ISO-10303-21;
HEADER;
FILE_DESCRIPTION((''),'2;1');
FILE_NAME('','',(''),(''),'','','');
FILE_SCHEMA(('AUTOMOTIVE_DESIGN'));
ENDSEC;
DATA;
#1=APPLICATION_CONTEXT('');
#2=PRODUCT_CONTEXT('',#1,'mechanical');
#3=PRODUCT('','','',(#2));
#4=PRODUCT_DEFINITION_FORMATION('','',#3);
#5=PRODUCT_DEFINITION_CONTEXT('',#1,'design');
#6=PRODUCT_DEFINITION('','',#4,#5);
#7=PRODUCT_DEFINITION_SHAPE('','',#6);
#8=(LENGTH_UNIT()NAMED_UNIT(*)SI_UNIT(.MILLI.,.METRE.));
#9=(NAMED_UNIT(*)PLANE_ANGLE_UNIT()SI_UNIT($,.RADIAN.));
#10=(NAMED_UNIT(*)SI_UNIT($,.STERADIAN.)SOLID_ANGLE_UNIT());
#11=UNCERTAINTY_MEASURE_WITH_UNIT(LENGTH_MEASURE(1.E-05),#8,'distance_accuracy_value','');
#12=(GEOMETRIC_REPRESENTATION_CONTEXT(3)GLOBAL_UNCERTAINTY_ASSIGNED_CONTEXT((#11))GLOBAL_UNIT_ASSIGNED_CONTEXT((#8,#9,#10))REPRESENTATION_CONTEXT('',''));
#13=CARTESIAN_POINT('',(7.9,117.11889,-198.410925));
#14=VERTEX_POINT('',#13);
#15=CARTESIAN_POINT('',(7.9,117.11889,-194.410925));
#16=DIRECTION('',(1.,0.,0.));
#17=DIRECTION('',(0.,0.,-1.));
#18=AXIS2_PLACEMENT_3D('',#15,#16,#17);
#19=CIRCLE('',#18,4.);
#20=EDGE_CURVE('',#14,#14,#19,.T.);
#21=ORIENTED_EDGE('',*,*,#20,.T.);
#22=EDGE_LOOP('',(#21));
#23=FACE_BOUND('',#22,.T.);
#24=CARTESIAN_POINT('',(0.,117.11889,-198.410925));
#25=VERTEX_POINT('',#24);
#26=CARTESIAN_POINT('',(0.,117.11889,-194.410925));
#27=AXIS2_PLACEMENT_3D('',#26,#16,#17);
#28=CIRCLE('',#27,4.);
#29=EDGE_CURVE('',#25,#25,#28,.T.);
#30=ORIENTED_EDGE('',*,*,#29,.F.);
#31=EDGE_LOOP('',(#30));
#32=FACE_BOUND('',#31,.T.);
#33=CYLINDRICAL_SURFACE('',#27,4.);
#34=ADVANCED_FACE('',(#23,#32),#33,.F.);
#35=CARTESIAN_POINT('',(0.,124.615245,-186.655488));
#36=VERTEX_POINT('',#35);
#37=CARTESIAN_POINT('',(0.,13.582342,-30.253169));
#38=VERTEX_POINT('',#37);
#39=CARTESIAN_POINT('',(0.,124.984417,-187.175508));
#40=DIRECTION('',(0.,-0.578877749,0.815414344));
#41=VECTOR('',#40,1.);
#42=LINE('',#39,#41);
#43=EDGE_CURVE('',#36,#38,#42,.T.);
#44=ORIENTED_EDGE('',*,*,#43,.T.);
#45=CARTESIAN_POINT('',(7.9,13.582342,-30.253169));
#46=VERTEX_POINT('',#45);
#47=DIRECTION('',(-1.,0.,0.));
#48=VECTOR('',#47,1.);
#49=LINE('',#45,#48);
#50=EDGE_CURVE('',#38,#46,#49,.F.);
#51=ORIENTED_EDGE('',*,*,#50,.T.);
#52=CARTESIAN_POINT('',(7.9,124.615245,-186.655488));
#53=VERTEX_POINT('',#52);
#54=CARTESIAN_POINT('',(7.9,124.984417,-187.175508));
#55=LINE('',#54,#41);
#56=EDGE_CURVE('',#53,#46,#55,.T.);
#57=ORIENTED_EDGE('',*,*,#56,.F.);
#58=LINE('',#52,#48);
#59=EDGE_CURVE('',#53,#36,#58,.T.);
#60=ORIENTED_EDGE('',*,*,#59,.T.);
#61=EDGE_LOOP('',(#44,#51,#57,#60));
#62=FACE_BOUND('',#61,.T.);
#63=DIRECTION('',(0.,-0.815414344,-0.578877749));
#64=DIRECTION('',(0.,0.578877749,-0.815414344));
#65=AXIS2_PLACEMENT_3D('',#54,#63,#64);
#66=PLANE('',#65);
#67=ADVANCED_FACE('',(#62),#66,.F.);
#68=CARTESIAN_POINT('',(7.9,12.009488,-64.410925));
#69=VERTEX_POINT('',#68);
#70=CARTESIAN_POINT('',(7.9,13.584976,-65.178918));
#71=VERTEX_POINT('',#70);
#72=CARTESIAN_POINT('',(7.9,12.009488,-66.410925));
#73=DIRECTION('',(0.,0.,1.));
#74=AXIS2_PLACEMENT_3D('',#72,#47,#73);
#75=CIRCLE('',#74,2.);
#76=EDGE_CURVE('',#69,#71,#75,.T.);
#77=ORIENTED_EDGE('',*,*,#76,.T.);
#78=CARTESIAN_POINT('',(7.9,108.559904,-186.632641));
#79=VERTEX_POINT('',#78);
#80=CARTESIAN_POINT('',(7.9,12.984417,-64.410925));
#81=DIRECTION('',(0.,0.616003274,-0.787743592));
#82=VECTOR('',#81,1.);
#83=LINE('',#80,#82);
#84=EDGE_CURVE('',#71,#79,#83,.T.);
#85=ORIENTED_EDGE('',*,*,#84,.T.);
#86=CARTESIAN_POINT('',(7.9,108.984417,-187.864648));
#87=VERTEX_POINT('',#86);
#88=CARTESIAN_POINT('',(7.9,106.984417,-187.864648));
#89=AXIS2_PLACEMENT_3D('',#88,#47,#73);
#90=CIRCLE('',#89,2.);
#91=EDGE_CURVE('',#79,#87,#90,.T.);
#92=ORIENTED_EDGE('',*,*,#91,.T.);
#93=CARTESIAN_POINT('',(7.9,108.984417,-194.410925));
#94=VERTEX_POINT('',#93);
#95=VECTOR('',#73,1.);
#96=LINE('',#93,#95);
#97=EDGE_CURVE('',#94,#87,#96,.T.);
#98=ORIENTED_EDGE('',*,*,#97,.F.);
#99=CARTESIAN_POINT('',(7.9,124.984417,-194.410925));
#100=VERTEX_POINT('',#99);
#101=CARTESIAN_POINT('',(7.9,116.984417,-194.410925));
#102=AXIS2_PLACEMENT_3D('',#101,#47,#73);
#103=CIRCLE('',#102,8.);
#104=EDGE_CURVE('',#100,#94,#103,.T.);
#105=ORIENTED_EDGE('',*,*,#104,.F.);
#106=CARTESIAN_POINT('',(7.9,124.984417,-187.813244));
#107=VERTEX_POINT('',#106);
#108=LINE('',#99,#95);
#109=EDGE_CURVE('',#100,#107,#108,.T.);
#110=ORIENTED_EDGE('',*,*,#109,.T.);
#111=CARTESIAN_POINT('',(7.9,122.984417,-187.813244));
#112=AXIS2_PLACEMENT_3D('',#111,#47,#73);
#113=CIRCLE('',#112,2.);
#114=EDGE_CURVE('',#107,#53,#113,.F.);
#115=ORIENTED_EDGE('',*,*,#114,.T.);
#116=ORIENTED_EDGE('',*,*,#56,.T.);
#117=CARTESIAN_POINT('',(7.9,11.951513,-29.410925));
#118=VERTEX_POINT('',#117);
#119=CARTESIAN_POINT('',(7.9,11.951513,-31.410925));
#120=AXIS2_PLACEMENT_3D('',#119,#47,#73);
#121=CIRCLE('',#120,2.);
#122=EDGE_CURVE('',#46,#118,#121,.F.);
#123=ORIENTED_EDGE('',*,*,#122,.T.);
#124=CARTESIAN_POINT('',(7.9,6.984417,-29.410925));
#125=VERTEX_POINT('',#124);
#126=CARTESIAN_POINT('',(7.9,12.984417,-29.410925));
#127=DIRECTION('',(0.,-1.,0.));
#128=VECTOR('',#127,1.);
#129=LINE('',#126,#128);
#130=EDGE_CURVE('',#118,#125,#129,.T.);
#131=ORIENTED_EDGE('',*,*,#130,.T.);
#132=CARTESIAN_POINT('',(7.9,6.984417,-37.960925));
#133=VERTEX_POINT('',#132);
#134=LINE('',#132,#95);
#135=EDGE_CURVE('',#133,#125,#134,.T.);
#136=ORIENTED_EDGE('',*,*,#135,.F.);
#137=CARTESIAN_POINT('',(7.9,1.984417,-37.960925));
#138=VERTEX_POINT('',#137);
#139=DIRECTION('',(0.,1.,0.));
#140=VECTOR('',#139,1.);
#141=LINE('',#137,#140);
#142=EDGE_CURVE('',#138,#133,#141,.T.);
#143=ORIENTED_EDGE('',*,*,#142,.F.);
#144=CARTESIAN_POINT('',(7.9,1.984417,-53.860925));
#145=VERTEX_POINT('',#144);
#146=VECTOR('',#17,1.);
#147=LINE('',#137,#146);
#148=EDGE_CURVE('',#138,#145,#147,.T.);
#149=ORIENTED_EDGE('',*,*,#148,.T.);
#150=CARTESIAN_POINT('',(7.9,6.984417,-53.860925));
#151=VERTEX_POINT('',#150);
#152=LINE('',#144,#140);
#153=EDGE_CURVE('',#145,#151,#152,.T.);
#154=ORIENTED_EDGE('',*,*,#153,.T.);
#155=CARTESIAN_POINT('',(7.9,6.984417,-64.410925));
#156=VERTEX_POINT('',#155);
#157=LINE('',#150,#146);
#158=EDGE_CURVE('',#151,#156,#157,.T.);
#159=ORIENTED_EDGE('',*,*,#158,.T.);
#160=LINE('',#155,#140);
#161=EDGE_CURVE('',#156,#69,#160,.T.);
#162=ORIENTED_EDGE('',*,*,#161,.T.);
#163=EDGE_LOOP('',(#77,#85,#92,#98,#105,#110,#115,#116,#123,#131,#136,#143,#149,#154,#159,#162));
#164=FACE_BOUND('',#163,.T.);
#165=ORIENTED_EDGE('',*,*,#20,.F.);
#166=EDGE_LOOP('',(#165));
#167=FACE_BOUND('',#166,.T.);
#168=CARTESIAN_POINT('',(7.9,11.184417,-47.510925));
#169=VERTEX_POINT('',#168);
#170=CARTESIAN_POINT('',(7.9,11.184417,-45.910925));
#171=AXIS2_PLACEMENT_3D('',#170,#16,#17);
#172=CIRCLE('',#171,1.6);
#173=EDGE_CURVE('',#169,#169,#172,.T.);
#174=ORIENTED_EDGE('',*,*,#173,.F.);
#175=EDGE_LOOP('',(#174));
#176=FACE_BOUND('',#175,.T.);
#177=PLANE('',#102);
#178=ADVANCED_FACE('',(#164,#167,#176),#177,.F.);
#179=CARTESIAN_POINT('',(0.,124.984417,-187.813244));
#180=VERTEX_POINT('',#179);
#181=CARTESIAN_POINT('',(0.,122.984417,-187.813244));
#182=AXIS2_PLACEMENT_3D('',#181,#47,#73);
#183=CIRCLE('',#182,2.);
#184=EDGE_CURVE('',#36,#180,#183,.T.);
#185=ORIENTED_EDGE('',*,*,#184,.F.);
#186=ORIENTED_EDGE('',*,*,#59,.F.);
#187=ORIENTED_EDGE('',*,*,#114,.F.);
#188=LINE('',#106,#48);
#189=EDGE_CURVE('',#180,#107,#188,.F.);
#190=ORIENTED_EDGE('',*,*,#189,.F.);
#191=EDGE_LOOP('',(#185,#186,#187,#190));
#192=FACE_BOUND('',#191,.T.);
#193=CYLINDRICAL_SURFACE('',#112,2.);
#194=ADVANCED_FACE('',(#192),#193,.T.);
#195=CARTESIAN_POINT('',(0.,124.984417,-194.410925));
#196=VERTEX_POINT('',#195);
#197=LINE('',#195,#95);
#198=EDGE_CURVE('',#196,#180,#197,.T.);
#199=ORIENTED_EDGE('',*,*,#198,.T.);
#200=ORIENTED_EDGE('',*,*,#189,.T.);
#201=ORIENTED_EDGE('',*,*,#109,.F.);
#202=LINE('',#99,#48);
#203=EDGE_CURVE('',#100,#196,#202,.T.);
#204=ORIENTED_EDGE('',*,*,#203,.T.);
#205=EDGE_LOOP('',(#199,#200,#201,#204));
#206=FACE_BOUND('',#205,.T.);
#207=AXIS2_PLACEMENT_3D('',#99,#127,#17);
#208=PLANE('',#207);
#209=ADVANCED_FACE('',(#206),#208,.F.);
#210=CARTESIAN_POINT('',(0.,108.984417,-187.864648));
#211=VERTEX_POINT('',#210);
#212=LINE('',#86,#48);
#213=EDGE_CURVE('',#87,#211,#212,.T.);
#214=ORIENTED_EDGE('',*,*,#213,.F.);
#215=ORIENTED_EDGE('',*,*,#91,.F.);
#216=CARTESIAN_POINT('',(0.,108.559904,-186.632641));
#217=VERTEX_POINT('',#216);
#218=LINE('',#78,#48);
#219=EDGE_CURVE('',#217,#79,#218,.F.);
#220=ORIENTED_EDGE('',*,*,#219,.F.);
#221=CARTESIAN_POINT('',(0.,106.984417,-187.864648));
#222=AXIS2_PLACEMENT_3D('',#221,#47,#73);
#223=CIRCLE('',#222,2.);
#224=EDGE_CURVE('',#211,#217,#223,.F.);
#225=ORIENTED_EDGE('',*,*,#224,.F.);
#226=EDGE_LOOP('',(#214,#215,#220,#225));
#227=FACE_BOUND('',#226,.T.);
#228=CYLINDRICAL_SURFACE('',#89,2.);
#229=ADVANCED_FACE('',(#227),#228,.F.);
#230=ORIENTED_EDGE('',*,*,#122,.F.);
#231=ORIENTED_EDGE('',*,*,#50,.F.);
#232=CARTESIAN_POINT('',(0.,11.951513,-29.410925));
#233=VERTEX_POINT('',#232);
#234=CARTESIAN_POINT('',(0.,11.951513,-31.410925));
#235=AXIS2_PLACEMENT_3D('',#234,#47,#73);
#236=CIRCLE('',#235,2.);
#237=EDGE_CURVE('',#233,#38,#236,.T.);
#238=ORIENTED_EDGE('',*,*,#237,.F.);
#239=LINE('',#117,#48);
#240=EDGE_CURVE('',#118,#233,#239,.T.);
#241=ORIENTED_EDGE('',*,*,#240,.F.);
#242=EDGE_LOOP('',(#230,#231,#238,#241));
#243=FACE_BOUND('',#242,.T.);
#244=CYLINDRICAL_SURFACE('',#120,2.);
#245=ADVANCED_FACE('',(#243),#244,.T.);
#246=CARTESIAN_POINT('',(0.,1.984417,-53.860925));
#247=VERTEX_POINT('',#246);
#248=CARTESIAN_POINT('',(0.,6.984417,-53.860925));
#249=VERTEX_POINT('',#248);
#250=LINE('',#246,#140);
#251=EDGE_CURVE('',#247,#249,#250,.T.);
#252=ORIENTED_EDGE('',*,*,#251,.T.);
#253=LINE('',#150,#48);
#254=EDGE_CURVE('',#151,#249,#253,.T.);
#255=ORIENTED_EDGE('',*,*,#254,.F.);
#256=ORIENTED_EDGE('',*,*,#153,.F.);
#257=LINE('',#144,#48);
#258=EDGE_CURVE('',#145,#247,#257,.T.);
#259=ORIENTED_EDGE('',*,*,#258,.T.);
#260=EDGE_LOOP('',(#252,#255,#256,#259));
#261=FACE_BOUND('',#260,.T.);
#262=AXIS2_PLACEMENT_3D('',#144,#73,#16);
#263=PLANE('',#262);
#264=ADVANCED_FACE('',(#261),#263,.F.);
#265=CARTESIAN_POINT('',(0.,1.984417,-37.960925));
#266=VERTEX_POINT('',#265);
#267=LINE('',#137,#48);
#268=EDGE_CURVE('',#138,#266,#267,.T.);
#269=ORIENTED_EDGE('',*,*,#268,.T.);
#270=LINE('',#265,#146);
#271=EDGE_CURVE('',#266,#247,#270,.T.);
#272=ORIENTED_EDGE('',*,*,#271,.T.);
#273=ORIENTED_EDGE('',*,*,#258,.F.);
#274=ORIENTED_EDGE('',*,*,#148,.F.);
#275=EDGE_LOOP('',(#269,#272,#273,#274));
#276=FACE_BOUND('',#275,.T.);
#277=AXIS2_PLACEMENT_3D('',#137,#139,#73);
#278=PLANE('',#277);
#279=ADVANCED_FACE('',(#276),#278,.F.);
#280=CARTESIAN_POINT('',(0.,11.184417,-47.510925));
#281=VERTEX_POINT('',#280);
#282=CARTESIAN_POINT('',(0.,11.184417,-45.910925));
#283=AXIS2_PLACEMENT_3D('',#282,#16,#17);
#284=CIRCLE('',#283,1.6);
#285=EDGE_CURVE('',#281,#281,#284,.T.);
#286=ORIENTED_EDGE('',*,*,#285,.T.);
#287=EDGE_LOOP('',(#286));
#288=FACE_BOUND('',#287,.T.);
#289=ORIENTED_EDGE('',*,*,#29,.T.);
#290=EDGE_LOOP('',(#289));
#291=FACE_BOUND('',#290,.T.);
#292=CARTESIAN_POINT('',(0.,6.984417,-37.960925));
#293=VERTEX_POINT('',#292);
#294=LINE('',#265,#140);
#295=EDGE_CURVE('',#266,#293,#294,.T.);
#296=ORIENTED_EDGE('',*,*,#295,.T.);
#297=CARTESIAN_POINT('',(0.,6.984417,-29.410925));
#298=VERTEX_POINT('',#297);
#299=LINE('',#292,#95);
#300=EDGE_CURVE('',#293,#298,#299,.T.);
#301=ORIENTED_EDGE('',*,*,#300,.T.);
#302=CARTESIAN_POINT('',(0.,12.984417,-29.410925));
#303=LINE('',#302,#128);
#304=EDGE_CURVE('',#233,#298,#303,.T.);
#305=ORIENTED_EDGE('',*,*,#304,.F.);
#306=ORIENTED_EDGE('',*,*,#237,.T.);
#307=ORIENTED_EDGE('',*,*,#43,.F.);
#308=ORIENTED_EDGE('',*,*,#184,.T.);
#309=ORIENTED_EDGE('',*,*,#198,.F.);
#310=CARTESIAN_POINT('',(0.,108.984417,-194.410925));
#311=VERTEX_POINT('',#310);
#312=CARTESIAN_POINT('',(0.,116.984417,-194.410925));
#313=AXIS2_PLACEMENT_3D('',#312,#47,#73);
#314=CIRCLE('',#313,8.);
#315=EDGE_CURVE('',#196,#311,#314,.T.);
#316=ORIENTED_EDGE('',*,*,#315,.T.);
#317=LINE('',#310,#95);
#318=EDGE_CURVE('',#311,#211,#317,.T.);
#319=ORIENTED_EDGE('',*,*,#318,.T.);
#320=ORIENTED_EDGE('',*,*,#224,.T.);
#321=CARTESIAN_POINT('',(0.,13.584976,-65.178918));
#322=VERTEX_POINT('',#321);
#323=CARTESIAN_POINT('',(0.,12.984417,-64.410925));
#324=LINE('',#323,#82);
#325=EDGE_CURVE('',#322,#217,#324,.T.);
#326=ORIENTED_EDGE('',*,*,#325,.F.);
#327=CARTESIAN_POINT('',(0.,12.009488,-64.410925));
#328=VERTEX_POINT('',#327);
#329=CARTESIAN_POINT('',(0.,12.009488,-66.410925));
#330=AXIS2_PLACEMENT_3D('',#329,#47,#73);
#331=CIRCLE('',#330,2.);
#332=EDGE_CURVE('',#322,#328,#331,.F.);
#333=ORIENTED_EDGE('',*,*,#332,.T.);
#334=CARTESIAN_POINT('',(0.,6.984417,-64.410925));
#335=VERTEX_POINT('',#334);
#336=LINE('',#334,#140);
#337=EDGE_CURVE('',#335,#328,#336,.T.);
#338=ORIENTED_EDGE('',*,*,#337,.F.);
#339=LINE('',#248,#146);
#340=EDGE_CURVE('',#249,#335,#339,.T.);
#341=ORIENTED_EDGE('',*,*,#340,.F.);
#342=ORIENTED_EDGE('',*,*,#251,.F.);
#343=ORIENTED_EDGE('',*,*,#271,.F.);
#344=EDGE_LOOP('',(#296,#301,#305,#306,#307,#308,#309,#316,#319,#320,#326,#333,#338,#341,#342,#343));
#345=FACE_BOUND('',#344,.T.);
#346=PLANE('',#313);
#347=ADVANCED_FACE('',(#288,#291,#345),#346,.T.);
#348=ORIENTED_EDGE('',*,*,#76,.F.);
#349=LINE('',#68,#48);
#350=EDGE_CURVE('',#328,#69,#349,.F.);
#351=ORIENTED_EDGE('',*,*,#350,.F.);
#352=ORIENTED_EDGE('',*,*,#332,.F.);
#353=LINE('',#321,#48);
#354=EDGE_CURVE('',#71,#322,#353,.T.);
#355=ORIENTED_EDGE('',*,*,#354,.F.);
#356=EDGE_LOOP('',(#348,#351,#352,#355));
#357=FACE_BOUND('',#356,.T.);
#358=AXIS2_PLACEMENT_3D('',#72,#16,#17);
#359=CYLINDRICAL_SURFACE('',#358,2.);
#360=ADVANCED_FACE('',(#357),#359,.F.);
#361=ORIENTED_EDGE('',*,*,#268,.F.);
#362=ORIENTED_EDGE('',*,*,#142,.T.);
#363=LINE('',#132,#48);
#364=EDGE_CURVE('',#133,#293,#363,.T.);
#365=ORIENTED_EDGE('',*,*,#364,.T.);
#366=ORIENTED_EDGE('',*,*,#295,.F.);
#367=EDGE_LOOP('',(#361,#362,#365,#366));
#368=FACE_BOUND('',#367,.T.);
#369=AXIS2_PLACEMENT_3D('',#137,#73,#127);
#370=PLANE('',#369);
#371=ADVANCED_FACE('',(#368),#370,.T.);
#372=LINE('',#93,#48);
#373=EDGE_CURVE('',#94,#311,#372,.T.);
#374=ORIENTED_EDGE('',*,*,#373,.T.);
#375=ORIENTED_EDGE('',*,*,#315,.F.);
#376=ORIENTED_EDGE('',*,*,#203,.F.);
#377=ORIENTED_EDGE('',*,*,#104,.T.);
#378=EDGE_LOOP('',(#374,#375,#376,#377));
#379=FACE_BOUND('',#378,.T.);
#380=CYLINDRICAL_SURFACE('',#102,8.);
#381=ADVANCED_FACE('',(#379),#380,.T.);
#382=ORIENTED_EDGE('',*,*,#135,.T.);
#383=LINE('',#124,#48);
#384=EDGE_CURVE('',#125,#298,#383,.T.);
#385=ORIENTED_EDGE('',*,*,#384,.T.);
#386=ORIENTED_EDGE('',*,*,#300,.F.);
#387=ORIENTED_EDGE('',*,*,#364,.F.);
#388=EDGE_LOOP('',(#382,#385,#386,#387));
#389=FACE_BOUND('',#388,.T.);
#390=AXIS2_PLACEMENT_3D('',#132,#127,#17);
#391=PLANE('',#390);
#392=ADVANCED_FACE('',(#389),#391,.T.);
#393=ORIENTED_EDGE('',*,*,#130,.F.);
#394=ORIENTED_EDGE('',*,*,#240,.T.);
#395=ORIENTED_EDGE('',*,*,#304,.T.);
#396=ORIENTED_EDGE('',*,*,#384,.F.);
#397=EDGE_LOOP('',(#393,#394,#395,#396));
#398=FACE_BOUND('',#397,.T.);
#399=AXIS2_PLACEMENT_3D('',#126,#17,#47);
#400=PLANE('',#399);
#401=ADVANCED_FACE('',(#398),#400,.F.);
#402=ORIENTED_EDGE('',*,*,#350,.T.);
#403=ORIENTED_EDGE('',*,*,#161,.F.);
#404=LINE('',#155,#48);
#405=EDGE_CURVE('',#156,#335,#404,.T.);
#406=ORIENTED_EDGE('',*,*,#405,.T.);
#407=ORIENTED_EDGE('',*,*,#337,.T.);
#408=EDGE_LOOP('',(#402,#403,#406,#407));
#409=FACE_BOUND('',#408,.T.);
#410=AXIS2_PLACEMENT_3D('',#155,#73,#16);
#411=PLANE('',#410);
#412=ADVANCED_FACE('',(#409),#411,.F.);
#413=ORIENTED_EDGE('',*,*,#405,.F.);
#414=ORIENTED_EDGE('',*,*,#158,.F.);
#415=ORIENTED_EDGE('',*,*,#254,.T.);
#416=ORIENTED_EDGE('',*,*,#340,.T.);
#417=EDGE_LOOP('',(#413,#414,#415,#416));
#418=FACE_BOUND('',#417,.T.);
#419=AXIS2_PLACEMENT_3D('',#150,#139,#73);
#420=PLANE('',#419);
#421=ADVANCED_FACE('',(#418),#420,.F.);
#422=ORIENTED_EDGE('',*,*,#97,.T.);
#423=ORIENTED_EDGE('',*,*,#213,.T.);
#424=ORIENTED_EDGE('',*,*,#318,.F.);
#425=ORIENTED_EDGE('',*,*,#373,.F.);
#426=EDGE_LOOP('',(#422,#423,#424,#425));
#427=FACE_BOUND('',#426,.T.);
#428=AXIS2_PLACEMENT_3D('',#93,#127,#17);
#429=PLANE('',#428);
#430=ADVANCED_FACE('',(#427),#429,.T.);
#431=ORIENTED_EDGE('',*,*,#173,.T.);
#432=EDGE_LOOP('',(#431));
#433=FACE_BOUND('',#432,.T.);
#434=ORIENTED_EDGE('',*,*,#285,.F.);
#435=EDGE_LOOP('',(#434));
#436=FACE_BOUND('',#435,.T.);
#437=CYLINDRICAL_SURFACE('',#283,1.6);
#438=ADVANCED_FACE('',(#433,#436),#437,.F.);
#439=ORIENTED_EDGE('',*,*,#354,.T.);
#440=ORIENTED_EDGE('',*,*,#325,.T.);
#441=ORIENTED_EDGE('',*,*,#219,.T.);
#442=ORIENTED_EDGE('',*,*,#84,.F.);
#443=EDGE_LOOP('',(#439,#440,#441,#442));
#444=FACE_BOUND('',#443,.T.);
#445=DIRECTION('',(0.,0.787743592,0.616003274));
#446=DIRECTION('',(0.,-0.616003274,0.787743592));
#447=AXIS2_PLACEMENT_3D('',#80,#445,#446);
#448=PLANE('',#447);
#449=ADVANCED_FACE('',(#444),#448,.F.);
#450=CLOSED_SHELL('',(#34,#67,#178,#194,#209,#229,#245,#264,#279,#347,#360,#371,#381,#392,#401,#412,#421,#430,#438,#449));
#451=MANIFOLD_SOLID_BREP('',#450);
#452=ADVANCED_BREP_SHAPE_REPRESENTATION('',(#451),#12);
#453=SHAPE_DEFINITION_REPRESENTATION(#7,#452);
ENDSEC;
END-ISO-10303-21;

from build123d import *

# Parameters (mm, degrees)
BOSS_EXTRU_1_DEPTH      = 7.9
ESQUISSE2_R             = 1.6
ESQUISSE2_R_2           = 4
ENL_V_MAT_EXTRU_1_DEPTH = 8.9
CONG_1_R                = 2


with BuildPart() as part:
    # Esquisse1 → Boss.-Extru.1 (new body)
    with BuildSketch(Plane(origin=(0, 0, 0), x_dir=(0, 0, -1), z_dir=(1, 0, 0))):
        with BuildLine():
            Line((37.960924758, 1.984416578), (37.960924758, 6.984416578))
            Line((37.960924758, 6.984416578), (29.410924758, 6.984416578))
            Line((29.410924758, 6.984416578), (29.410924758, 12.984416578))
            Line((29.410924758, 12.984416578), (187.175507503, 124.984416578))
            Line((187.175507503, 124.984416578), (194.410924758, 124.984416578))
            ThreePointArc((194.410924758, 124.984416578), (202.410924758, 116.984416578), (194.410924758, 108.984416578))
            Line((194.410924758, 108.984416578), (187.175507503, 108.984416578))
            Line((187.175507503, 108.984416578), (64.410924758, 12.984416578))
            Line((64.410924758, 12.984416578), (64.410924758, 6.984416578))
            Line((64.410924758, 6.984416578), (53.860924758, 6.984416578))
            Line((53.860924758, 6.984416578), (53.860924758, 1.984416578))
            Line((53.860924758, 1.984416578), (37.960924758, 1.984416578))
        make_face()
    extrude(amount=BOSS_EXTRU_1_DEPTH)

    # Esquisse2 → Enlèv. mat.-Extru.1 (cut, through all)
    with BuildSketch(Plane(origin=(7.9, 0, 0), x_dir=(0, 0, -1), z_dir=(1, 0, 0))):
        with Locations((45.910924758, 11.184416578)):
            Circle(ESQUISSE2_R)
        with Locations((194.410924758, 117.118890011)):
            Circle(ESQUISSE2_R_2)
    extrude(amount=-ENL_V_MAT_EXTRU_1_DEPTH, mode=Mode.SUBTRACT)

    # Congé1
    cong_1_edges = [part.edges().sort_by_distance(p)[0] for p in [
        (3.95, 12.984416578, -64.410924758),
        (3.95, 108.984416578, -187.175507503),
        (3.95, 124.984416578, -187.175507503),
        (3.95, 12.984416578, -29.410924758),
    ]]
    fillet(cong_1_edges, radius=CONG_1_R)


solid = part.part
